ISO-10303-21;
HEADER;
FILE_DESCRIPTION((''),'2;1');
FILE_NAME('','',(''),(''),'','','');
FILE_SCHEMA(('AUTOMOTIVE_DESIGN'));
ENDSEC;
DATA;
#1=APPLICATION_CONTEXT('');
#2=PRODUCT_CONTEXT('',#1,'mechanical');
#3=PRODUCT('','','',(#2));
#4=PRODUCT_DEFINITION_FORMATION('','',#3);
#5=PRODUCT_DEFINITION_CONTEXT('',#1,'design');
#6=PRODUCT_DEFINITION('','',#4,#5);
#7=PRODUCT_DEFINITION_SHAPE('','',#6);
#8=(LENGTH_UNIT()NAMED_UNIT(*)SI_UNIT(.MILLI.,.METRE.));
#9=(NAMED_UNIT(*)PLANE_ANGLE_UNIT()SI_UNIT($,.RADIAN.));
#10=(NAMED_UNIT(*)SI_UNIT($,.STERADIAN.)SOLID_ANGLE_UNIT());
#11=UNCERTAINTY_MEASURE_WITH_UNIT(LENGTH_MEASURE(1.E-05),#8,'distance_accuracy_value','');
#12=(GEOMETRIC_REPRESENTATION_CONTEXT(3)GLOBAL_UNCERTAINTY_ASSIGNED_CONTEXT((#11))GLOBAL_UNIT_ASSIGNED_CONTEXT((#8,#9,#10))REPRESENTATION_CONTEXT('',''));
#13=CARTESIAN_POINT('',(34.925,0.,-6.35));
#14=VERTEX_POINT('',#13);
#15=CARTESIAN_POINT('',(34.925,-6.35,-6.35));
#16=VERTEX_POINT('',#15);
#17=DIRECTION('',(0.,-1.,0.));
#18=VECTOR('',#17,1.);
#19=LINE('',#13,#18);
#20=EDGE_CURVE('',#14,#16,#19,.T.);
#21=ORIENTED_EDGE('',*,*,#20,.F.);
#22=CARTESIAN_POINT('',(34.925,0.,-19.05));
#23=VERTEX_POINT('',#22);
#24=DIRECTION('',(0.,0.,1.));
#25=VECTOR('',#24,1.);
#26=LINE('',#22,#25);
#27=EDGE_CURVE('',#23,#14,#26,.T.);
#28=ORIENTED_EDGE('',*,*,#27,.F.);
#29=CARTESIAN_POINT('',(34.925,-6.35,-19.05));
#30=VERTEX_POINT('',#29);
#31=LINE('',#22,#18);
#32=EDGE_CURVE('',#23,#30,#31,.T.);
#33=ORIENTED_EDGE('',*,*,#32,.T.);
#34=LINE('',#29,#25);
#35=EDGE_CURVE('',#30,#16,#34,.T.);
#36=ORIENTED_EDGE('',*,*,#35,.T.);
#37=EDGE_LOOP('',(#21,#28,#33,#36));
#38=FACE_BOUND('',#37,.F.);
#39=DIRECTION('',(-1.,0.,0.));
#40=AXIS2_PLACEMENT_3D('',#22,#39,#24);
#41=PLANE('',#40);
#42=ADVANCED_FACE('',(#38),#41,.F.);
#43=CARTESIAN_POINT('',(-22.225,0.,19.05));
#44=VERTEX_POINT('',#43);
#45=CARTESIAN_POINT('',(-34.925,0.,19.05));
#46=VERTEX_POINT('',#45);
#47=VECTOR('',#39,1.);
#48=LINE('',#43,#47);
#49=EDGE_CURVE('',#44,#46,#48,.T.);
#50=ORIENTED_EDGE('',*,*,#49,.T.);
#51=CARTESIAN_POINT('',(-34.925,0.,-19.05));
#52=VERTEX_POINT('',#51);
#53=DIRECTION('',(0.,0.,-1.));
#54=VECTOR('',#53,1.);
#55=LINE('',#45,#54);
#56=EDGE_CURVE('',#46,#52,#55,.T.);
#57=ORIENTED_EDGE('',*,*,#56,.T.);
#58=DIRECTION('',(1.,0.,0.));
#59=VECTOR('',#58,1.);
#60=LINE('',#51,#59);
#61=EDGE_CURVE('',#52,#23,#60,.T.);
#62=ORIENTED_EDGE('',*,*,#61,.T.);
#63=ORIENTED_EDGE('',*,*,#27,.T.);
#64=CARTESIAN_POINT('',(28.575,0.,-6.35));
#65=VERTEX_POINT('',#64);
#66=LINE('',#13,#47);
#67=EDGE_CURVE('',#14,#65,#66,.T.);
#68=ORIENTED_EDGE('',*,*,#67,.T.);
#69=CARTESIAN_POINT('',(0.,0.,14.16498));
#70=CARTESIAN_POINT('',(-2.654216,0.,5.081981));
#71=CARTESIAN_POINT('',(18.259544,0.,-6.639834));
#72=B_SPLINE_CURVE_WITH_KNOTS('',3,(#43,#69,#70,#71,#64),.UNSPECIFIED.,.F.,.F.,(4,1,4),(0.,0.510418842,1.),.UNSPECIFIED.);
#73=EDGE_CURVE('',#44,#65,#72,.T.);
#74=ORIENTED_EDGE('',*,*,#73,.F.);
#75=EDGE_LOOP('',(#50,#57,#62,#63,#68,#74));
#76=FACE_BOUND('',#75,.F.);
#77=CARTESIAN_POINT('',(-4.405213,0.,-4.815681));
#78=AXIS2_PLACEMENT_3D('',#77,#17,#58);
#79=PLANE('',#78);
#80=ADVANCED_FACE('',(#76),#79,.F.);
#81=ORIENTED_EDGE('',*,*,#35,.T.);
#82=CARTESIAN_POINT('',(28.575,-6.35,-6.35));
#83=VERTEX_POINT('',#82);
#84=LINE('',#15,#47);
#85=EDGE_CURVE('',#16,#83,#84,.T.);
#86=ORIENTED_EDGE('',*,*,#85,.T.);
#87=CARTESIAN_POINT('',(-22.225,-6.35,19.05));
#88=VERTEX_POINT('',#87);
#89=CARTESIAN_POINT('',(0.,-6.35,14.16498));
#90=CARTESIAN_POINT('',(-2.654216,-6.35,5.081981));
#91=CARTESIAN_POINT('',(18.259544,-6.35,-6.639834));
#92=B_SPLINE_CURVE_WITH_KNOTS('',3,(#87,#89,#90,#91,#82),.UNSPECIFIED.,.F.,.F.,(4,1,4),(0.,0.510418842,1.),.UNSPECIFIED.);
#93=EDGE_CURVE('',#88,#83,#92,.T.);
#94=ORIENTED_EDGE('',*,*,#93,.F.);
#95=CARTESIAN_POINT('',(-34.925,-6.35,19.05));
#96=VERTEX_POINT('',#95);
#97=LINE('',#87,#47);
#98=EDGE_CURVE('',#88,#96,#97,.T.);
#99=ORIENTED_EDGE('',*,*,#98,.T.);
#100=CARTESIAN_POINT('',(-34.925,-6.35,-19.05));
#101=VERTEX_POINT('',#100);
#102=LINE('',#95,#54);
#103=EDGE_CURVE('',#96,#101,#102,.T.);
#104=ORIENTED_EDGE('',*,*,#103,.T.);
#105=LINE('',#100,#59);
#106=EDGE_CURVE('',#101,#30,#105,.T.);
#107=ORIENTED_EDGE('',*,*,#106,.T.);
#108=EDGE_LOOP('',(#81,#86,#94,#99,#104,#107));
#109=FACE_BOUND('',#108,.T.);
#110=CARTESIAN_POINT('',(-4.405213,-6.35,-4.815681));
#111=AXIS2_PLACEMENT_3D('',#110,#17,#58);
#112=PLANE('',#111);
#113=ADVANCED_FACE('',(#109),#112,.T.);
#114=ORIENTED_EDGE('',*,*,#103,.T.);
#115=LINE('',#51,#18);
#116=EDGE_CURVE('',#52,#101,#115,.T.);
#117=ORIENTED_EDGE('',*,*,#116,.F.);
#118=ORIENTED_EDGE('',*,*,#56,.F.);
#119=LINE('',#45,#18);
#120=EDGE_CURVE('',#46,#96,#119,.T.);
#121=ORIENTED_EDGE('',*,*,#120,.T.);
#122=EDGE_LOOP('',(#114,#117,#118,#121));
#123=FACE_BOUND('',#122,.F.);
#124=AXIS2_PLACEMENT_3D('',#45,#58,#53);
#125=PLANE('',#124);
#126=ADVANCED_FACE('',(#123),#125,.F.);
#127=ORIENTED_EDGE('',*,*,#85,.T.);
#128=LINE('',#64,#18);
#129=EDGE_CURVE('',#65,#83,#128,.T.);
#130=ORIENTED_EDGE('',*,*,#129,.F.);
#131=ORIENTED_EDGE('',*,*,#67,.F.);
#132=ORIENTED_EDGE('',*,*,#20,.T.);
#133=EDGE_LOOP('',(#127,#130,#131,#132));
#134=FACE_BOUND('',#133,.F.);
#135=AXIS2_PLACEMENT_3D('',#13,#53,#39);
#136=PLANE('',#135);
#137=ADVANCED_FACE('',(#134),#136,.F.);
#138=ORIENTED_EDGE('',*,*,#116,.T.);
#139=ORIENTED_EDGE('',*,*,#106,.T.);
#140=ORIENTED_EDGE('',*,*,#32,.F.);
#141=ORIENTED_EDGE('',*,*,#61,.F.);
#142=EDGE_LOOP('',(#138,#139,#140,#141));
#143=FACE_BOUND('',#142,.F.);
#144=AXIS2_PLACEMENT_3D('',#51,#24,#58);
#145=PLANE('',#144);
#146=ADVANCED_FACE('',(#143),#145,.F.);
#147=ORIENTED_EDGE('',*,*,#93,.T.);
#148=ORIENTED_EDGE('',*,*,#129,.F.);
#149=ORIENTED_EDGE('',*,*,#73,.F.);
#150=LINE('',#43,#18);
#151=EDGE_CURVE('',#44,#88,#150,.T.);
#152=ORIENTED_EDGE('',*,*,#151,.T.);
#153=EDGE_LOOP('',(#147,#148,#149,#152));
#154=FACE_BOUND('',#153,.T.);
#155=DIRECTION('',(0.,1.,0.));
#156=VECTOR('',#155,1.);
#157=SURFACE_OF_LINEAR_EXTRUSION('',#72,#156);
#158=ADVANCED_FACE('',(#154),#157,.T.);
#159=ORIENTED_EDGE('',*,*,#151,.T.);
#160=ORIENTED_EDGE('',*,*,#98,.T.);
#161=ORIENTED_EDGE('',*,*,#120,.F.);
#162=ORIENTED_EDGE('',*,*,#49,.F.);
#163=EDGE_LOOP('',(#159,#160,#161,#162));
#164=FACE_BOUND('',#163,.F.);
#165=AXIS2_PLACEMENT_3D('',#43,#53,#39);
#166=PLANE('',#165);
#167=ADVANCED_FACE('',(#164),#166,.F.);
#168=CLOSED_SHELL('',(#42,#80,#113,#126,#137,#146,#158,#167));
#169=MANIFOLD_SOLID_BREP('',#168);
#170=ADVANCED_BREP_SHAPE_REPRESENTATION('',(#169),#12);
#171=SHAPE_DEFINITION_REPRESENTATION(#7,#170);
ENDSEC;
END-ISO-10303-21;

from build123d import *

# Parameters (mm, degrees)
F1_DEPTH = 6.35


with BuildPart() as f1:
    # F0 (on Front) → F1 (new body)
    with BuildSketch(Plane.XZ):
        with BuildLine():
            Line((-22.225, 19.05), (-34.925, 19.05))
            Line((-34.925, 19.05), (-34.925, -19.05))
            Line((-34.925, -19.05), (34.925, -19.05))
            Line((34.925, -19.05), (34.925, -6.35))
            Line((34.925, -6.35), (28.575, -6.35))
            add(Edge.make_bspline(
                [(-22.225, 19.05), (0, 14.1649795696), (-2.6542157117, 5.0819810995), (18.2595439255, -6.6398344934), (28.575, -6.35)],
                knots=[0, 0, 0, 0, 0.5104188422, 1, 1, 1, 1], degree=3))
        make_face()
    extrude(amount=F1_DEPTH)


solid = f1.part
